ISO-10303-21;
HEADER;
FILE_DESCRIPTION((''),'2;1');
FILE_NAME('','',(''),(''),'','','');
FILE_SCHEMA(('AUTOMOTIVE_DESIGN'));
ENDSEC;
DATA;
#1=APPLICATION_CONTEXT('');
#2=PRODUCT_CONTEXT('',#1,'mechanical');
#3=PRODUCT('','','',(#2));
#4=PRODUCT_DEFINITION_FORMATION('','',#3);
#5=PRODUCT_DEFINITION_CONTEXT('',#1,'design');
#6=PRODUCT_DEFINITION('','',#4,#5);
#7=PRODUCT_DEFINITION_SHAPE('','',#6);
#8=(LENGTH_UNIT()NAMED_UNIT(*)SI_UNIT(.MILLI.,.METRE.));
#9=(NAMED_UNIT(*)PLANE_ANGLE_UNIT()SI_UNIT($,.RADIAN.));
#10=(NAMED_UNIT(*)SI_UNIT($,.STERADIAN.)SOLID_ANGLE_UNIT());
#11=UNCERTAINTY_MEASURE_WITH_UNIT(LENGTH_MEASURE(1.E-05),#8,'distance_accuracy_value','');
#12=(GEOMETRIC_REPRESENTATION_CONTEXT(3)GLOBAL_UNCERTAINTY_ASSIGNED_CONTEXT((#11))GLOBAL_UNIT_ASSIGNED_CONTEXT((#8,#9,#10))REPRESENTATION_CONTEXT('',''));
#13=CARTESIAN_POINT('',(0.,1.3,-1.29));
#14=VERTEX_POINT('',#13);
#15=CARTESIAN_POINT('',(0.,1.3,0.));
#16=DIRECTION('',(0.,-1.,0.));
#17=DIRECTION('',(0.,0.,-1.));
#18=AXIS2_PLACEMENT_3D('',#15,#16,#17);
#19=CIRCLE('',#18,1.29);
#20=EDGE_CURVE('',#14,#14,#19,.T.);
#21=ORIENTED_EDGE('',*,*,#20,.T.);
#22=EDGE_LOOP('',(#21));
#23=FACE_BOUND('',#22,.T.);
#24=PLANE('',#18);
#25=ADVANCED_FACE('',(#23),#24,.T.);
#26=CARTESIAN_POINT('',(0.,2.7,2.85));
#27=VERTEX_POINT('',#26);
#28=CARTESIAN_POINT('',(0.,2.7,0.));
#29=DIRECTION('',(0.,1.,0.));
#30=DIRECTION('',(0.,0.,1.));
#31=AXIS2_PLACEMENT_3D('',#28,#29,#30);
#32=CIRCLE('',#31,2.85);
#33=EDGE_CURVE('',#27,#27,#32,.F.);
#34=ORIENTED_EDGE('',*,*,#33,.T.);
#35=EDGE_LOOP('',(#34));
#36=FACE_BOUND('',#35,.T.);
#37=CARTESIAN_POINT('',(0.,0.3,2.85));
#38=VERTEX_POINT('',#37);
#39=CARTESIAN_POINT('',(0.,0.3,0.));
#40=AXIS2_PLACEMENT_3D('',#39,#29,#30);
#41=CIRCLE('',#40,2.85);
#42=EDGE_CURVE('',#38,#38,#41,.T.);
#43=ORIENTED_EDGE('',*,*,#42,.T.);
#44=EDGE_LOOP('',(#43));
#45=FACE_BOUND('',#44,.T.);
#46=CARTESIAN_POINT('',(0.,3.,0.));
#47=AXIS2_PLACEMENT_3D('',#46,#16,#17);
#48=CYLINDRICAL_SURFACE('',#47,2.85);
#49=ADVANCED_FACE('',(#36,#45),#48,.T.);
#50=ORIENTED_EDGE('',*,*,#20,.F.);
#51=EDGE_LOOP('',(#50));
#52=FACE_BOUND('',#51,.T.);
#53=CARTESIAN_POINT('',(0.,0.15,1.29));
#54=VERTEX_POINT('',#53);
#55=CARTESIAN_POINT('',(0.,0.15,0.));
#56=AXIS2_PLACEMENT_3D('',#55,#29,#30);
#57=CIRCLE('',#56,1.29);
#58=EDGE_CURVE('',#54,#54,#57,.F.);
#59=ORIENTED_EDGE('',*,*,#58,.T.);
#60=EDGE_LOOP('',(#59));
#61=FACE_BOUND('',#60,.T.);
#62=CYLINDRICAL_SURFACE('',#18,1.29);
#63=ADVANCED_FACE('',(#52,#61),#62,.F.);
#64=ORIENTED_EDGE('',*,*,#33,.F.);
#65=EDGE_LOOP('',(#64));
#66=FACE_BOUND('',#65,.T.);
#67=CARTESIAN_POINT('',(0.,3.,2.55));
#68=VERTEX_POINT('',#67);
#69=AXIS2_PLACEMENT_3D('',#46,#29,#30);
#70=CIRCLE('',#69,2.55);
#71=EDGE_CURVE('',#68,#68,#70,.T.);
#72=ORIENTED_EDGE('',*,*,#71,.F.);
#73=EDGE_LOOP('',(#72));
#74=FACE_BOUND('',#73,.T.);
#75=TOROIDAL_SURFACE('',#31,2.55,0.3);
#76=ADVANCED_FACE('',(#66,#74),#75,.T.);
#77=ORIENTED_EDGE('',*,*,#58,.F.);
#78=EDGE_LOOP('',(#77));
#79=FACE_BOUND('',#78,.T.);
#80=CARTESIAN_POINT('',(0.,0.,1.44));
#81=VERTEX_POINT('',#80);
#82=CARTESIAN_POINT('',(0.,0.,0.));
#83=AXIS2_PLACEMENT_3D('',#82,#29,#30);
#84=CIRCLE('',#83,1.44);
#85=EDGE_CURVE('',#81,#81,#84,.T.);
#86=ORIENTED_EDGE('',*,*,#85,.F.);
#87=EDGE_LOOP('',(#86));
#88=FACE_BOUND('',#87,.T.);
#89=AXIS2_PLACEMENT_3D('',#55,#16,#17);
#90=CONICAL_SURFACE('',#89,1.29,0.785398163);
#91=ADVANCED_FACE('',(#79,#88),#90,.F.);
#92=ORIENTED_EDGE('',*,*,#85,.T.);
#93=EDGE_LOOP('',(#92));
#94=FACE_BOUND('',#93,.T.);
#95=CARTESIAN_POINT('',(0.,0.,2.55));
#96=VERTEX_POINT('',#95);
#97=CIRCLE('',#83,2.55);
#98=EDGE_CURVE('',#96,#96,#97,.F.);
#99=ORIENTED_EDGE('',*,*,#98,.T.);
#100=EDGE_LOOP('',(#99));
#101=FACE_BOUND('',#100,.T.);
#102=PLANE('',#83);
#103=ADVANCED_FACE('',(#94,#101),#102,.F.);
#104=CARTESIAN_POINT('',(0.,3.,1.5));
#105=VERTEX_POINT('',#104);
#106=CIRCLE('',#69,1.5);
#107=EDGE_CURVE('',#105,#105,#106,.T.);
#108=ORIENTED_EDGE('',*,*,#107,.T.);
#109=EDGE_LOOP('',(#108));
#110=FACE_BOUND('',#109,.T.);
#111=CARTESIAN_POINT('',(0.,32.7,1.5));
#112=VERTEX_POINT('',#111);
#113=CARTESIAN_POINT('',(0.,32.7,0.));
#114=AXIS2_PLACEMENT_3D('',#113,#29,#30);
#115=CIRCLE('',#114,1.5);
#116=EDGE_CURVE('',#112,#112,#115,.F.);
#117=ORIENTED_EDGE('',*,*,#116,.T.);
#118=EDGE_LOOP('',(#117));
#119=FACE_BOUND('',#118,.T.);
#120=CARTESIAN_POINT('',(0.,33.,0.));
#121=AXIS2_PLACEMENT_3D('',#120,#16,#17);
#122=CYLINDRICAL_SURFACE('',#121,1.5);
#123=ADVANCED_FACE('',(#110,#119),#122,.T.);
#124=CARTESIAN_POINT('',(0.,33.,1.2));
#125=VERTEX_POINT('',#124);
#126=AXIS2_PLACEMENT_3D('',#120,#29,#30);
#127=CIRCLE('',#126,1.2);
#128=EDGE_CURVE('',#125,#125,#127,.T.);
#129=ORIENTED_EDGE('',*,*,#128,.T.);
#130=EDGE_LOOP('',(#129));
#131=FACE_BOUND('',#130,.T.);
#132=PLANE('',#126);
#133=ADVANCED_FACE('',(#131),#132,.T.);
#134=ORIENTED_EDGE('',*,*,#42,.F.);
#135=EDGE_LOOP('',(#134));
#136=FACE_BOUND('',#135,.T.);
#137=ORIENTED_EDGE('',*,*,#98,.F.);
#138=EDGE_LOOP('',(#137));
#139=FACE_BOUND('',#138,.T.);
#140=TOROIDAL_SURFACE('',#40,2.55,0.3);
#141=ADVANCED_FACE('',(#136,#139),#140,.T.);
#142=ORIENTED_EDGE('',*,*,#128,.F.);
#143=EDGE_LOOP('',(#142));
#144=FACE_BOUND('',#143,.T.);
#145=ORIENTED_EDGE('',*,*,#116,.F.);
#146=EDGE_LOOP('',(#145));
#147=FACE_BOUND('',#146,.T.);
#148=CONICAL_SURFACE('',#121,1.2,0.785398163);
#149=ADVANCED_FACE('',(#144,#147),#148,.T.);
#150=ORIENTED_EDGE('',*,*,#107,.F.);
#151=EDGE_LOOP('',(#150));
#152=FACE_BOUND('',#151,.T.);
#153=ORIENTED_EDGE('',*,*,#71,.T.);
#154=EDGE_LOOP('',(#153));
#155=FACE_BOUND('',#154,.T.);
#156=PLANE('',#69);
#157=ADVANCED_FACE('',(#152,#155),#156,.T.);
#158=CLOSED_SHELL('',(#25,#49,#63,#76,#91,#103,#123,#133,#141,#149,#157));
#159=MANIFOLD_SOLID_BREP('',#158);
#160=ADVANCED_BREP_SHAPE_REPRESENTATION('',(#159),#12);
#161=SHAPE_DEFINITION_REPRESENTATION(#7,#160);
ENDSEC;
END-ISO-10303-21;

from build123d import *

# Parameters (mm, degrees)
SKETCH_1_R          = 2.85
EXTRUDE_1_DEPTH     = 3
SKETCH_2_R          = 1.5
EXTRUDE_2_DEPTH     = 30
SKETCH_3_R          = 1.29
CUT_EXTRUDE_1_DEPTH = 1.3
FILLET_1_R          = 0.3
CHAMFER_1_SIZE      = 0.3
CHAMFER_2_SIZE      = 0.15


with BuildPart() as part:
    # 草图1 → 凸台-拉伸1 (new body)
    with BuildSketch(Plane(origin=(0, 0, 0), x_dir=(1, 0, 0), z_dir=(0, 1, 0))):
        with Locations(Location((0, 0, 0), (0, 0, 270))):
            Circle(SKETCH_1_R)
    extrude(amount=EXTRUDE_1_DEPTH)

    # 草图2 → 凸台-拉伸2 (add)
    with BuildSketch(Plane(origin=(0, 3, 0), x_dir=(1, 0, 0), z_dir=(0, 1, 0))):
        with Locations(Location((0, 0, 0), (0, 0, 270))):
            Circle(SKETCH_2_R)
    extrude(amount=EXTRUDE_2_DEPTH)

    # 草图3 → 切除-拉伸1 (cut)
    with BuildSketch(Plane.XZ):
        with Locations(Location((0, 0, 0), (0, 0, 270))):
            Circle(SKETCH_3_R)
    extrude(amount=-CUT_EXTRUDE_1_DEPTH, mode=Mode.SUBTRACT)

    # 圆角1
    fillet_1_edges = [part.edges().sort_by_distance(p)[0] for p in [
        (0, 0, -2.85),
        (0, 3, -2.85),
    ]]
    fillet(fillet_1_edges, radius=FILLET_1_R)

    # 倒角1
    chamfer_1_edges = [part.edges().sort_by_distance(p)[0] for p in [
        (0, 33, -1.5),
    ]]
    chamfer(chamfer_1_edges, length=CHAMFER_1_SIZE)

    # 倒角2
    chamfer_2_edges = [part.edges().sort_by_distance(p)[0] for p in [
        (0, 0, 1.29),
    ]]
    chamfer(chamfer_2_edges, length=CHAMFER_2_SIZE)


solid = part.part
